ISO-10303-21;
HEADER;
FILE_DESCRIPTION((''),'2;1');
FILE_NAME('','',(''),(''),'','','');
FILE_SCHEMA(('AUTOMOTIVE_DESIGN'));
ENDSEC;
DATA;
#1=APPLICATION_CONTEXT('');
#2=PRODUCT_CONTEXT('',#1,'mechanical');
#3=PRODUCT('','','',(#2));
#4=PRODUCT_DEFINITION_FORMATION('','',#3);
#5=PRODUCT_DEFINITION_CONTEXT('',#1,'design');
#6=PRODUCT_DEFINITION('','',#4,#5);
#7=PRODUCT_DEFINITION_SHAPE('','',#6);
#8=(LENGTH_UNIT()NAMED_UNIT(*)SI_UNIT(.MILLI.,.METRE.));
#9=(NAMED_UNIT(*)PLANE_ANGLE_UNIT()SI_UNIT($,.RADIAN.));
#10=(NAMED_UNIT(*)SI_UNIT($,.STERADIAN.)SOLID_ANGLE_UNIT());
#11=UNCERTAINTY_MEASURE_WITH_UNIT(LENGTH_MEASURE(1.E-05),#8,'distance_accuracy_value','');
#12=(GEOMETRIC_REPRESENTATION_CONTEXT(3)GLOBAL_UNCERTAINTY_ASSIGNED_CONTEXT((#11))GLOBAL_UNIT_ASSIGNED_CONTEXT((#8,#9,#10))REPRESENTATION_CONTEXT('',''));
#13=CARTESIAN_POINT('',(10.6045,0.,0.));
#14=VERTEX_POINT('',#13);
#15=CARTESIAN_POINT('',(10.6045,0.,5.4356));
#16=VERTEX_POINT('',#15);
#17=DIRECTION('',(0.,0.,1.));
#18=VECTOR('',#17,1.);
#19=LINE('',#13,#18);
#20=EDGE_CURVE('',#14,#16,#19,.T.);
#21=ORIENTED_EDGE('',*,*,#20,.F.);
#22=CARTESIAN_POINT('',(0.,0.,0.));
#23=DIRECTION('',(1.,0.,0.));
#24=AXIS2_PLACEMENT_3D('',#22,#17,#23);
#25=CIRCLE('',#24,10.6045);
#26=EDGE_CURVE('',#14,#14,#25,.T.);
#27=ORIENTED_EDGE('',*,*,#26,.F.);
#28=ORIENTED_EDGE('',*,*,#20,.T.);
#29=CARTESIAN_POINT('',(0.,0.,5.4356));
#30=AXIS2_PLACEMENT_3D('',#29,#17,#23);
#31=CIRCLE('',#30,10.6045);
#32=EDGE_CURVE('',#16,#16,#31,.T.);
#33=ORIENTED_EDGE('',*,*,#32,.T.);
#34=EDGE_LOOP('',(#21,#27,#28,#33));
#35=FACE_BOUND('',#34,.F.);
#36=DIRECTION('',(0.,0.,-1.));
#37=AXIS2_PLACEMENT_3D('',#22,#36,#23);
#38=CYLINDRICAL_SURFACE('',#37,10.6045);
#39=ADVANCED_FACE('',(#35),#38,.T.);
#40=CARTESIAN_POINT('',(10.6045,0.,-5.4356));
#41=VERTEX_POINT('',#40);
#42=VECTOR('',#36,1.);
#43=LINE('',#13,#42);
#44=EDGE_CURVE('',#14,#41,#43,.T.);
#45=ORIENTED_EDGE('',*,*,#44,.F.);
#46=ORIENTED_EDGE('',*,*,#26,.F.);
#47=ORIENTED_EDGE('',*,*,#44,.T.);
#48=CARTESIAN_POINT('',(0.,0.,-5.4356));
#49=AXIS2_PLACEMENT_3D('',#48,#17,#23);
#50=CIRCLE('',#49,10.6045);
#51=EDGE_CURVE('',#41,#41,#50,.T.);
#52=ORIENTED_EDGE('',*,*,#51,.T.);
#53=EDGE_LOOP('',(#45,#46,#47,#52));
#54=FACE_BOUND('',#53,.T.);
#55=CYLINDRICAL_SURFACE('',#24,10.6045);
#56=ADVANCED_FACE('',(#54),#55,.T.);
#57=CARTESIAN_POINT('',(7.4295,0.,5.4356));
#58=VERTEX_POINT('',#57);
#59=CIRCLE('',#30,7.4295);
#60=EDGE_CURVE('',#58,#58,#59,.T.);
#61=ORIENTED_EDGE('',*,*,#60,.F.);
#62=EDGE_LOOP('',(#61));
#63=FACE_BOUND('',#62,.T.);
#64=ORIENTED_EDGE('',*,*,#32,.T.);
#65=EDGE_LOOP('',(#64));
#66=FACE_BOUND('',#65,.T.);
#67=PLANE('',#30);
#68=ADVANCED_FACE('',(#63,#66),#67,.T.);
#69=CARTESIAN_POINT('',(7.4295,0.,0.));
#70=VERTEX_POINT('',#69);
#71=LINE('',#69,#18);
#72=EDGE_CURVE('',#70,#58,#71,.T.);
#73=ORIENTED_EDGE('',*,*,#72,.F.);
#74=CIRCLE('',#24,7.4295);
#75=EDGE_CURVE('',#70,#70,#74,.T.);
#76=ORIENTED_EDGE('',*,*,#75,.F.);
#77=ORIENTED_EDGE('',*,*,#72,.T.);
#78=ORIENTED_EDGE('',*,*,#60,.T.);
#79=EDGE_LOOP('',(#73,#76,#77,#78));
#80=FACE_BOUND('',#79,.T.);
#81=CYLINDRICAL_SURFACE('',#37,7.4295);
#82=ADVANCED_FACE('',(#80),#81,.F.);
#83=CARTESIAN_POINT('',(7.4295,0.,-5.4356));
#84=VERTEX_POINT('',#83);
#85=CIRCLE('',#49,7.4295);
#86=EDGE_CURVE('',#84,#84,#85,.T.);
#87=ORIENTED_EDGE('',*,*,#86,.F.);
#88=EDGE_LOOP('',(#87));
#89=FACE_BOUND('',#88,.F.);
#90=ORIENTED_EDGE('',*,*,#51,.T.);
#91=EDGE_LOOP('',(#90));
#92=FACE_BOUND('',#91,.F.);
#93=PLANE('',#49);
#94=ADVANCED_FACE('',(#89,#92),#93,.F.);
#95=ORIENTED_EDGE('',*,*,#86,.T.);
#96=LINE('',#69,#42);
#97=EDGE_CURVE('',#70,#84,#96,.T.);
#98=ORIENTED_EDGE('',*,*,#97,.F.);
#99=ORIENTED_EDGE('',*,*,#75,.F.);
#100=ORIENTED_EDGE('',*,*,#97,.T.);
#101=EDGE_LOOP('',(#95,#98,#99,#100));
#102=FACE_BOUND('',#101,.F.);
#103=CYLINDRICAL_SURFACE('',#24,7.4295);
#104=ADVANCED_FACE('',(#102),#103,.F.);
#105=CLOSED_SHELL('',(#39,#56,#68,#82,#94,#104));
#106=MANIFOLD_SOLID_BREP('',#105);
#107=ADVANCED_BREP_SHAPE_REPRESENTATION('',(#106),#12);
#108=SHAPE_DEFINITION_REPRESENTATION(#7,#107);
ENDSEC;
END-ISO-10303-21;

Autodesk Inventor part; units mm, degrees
ref_plane "YZ Plane" through (0, 0, 0) normal (1, 0, 0) x (0, 1, 0)
ref_plane "XZ Plane" through (0, 0, 0) normal (0, 1, 0) x (-1, 0, 0)
ref_plane "XY Plane" through (0, 0, 0) normal (0, 0, 1) x (1, 0, 0)
sketch "Sketch1" plane through (0, 0, 0) normal (0, 0, 1) x (1, 0, 0)
  circle A0 centre (0, 0) radius 7.4295
  circle A1 centre (0, 0) radius 10.6045
  dimension "d0" = 14.859
  dimension "d1" = 3.175
extrude "Extrusion1" add sketch "Sketch1" along normal mid plane 10.8712
properties part number "GP5-017" material "ABS Plastic"
